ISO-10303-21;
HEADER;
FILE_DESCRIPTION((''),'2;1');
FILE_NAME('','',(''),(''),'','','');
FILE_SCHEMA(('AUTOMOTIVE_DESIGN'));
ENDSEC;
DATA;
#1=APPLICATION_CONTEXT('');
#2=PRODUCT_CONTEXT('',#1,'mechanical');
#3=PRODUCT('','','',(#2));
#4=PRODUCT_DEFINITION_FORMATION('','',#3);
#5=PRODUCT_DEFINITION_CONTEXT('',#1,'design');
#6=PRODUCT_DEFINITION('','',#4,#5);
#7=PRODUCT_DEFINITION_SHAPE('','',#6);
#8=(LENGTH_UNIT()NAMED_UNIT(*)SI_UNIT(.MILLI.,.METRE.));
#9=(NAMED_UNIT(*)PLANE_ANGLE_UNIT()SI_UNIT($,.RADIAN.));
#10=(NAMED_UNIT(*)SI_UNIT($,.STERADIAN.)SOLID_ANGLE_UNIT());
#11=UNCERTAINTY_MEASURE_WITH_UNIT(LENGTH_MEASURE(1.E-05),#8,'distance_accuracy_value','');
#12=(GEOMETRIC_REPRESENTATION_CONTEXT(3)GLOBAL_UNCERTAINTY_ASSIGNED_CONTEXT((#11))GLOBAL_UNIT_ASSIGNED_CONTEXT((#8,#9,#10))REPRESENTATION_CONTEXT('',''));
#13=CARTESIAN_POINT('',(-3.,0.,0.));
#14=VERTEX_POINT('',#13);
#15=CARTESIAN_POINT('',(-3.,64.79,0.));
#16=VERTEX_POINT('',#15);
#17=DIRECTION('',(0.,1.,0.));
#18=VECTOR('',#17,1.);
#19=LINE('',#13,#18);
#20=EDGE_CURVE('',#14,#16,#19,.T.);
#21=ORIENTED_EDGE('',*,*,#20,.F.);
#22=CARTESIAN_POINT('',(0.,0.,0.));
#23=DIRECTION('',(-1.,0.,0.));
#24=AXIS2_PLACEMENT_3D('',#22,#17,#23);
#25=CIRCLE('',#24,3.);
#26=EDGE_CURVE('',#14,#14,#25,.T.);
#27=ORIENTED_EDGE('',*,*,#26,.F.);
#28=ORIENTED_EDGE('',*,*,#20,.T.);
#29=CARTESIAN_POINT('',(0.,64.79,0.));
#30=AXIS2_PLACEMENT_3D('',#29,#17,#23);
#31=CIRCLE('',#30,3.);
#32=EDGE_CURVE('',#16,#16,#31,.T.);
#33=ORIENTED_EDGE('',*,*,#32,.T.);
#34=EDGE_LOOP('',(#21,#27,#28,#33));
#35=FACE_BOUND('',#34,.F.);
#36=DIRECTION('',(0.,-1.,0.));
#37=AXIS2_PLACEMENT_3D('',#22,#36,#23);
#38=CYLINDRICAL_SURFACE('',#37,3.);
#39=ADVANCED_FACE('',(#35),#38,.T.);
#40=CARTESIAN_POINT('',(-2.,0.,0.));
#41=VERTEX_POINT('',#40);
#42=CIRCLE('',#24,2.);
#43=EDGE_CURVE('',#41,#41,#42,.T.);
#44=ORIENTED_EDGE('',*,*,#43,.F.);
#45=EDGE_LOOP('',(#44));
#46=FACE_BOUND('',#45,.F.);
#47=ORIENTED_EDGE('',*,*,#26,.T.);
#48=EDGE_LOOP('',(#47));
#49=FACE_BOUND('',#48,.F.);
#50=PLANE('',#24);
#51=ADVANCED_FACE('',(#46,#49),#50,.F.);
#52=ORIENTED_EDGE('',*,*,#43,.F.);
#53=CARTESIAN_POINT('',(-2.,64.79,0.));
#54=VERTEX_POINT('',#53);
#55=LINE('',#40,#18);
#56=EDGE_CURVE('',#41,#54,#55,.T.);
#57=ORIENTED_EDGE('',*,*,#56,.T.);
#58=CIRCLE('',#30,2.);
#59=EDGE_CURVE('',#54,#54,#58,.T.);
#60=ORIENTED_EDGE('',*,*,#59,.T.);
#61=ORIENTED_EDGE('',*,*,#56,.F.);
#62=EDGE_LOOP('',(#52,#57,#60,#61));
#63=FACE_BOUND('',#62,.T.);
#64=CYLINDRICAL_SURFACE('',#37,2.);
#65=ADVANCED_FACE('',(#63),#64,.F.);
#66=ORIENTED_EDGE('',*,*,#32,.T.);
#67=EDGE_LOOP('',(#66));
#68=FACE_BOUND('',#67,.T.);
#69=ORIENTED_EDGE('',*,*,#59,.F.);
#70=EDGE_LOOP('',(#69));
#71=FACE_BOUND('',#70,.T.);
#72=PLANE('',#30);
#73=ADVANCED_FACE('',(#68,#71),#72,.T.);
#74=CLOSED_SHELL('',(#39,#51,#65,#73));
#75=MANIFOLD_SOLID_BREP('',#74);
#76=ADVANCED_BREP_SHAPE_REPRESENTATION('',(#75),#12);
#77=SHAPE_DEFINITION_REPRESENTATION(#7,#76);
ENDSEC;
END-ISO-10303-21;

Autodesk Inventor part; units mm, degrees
ref_plane "YZ Plane" through (0, 0, 0) normal (1, 0, 0) x (0, 1, 0)
ref_plane "XZ Plane" through (0, 0, 0) normal (0, 1, 0) x (-1, 0, 0)
ref_plane "XY Plane" through (0, 0, 0) normal (0, 0, 1) x (1, 0, 0)
sketch "スケッチ1" plane through (0, 0, 0) normal (0, 1, 0) x (-1, 0, 0)
  circle A0 centre (0, 0) radius 2
  circle A1 centre (0, 0) radius 3
  dimension "d0" = 4
  dimension "d1" = 6
extrude "押し出し1" add sketch "スケッチ1" along normal blind 64.79
properties part number "omu_sh_jo_4" material "アルミニウム 6061-AHC"
